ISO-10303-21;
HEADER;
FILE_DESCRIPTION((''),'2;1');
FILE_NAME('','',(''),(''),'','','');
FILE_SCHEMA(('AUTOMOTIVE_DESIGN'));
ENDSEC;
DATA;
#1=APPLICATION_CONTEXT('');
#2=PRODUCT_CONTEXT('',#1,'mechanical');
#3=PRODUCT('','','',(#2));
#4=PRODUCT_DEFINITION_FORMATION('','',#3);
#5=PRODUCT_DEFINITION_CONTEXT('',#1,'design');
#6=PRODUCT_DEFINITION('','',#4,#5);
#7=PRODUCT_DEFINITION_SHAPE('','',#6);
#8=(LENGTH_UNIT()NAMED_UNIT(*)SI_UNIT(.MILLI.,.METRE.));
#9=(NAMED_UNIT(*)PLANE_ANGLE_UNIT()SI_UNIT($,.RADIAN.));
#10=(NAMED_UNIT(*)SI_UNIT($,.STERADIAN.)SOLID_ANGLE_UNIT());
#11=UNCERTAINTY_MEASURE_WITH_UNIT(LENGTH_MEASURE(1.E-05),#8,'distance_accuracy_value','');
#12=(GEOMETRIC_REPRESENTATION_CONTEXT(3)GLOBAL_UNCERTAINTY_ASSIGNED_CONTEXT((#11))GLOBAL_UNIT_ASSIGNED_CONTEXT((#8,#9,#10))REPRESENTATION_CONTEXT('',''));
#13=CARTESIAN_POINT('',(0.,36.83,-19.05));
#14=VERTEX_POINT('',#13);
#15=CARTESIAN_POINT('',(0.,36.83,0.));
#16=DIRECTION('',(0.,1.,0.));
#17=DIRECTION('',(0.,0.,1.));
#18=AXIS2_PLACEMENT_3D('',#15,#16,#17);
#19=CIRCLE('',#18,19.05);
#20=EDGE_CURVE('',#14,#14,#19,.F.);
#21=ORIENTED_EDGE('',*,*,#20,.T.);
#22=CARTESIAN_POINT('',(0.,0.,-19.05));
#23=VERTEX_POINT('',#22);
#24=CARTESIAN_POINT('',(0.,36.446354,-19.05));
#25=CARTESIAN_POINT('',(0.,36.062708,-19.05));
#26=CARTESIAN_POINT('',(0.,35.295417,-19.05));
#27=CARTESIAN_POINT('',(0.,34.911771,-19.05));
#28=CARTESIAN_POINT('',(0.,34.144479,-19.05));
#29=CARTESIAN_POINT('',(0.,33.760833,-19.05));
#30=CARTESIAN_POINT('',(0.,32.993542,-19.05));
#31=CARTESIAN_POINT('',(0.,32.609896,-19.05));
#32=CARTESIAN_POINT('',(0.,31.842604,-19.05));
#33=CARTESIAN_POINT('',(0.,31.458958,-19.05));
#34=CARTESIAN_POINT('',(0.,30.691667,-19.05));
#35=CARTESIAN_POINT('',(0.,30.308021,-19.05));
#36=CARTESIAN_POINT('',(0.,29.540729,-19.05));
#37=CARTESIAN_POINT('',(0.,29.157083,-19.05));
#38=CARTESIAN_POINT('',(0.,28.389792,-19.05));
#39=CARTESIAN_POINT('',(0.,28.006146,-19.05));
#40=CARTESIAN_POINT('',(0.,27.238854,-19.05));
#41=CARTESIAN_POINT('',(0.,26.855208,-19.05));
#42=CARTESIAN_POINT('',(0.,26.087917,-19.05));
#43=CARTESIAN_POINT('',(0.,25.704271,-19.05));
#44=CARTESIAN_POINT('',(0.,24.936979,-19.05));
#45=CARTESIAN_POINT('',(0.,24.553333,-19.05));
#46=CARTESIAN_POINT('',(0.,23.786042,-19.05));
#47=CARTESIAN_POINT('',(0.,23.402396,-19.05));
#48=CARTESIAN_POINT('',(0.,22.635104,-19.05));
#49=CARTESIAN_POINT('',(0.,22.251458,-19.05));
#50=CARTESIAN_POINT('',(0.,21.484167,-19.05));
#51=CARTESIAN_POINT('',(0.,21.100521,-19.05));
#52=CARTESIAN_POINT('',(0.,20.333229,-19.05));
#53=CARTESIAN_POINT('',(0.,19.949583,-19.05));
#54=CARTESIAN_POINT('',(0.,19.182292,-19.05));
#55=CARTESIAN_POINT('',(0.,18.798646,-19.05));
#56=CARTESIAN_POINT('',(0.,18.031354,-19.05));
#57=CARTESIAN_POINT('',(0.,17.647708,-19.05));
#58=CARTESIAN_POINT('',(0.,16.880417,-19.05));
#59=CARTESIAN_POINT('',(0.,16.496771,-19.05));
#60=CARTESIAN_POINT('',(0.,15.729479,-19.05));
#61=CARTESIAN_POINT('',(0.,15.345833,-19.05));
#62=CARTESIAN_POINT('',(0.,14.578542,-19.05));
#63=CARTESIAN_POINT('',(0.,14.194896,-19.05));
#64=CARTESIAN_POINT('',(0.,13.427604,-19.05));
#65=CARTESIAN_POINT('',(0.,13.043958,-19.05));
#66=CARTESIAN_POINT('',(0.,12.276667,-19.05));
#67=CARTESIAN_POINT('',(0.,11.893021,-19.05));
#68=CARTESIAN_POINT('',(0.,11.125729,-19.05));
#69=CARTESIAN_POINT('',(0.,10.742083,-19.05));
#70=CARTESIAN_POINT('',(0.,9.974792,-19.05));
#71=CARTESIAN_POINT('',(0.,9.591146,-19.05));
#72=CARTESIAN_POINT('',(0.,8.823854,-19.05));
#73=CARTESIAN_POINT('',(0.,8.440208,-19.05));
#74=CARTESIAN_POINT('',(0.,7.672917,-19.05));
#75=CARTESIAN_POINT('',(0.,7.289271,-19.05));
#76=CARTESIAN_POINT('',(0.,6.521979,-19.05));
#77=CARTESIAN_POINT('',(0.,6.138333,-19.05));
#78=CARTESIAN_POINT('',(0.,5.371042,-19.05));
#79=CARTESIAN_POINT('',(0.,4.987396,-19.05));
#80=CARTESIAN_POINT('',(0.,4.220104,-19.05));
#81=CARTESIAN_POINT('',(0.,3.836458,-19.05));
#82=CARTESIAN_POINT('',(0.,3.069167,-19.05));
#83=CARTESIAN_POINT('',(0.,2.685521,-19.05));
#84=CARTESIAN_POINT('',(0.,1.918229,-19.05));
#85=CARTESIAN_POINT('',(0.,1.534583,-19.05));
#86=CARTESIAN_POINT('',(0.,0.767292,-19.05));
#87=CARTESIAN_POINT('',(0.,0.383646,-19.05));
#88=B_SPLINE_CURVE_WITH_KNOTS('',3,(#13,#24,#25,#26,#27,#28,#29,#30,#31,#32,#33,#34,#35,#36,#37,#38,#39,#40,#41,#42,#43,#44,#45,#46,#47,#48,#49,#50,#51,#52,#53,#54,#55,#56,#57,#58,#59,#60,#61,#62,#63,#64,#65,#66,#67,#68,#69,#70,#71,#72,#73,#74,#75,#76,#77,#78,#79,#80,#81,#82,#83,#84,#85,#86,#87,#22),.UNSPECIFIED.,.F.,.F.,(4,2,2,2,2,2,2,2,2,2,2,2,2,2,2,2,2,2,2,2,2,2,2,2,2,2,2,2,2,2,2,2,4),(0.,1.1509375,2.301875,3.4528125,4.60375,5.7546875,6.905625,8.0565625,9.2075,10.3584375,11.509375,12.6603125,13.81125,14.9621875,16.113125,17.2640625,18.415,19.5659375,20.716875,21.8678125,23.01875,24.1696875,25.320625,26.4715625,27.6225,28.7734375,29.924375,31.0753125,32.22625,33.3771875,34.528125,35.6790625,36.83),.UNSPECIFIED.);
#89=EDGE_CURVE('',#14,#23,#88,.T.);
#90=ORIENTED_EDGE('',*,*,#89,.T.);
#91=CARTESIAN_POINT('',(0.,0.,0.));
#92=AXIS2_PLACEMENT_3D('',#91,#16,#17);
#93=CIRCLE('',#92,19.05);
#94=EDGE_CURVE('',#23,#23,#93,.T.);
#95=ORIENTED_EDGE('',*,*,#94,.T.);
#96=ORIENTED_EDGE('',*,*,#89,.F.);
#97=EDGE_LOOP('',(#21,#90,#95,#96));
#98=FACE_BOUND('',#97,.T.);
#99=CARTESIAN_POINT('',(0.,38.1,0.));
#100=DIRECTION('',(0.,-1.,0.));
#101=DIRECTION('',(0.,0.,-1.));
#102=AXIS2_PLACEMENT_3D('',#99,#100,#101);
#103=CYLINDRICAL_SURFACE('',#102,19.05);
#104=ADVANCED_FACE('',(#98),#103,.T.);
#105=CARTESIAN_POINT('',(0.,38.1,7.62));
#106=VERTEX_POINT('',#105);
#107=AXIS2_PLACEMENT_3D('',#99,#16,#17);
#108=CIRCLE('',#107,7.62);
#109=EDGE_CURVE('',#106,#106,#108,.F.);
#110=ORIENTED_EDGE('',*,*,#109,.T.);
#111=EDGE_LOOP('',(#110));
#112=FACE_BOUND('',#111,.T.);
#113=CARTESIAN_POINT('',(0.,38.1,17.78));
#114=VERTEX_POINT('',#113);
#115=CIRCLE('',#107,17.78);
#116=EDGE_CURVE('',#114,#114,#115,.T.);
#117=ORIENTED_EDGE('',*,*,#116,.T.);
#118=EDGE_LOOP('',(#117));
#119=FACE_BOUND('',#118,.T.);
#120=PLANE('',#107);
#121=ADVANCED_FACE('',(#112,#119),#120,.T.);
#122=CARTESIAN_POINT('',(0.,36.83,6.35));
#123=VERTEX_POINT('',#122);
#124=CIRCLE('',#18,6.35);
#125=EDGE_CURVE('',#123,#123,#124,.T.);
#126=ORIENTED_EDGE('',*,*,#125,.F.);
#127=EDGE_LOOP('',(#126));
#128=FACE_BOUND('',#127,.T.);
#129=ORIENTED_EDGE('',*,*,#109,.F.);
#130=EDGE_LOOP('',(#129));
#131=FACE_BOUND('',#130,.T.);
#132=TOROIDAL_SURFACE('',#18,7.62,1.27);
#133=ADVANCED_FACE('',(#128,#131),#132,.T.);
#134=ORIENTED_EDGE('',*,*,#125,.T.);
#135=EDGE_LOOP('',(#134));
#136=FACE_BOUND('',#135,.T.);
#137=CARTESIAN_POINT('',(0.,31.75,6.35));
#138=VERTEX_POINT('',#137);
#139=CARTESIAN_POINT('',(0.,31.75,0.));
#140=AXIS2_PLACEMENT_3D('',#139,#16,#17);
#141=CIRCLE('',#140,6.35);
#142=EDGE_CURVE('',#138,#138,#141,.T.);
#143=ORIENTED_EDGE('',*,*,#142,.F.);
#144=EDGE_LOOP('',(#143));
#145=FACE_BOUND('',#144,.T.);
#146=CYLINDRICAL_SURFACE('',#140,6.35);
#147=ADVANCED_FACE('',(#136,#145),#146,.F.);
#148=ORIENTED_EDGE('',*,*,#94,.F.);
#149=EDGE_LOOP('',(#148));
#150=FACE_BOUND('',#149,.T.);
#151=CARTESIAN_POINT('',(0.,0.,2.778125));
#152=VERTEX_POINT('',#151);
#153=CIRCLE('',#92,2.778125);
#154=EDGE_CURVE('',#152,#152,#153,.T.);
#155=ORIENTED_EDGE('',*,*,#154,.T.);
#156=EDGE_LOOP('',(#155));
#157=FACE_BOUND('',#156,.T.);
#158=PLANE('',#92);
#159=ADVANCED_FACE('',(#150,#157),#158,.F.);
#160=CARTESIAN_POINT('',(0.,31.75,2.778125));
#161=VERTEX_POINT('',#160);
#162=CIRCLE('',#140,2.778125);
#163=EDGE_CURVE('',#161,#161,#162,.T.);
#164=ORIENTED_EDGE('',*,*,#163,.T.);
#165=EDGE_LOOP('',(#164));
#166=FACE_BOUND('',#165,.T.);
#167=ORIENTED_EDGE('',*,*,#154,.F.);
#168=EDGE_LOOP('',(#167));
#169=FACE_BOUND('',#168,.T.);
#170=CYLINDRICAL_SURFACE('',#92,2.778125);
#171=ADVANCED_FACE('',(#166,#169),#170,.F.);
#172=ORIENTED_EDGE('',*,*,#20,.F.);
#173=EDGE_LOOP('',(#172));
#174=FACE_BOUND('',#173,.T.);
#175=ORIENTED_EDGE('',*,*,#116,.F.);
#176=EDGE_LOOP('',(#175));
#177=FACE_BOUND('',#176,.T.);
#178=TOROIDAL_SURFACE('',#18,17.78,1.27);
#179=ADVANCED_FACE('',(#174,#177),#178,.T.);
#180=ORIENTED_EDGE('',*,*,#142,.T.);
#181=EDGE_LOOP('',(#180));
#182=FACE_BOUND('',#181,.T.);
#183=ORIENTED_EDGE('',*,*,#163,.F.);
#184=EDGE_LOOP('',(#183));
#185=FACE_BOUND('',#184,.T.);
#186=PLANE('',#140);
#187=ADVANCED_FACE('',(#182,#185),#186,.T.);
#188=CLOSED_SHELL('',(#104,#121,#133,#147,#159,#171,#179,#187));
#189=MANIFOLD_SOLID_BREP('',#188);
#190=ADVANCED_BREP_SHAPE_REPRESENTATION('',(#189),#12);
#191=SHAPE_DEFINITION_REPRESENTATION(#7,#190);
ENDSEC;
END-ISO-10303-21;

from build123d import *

# Parameters (mm, degrees)
SKETCH1_R           = 19.05
BOSS_EXTRUDE1_DEPTH = 38.1
SKETCH2_R           = 6.35
CUT_EXTRUDE1_DEPTH  = 6.35
SKETCH3_R           = 2.778125
CUT_EXTRUDE2_DEPTH  = 42.639734629
FILLET1_R           = 1.27


with BuildPart() as part:
    # Sketch1 → Boss-Extrude1 (new body)
    with BuildSketch(Plane(origin=(0, 0, 0), x_dir=(1, 0, 0), z_dir=(0, 1, 0))):
        with Locations(Location((0, 0, 0), (0, 0, 90))):
            Circle(SKETCH1_R)
    extrude(amount=BOSS_EXTRUDE1_DEPTH)

    # Sketch2 → Cut-Extrude1 (cut)
    with BuildSketch(Plane(origin=(0, 38.1, 0), x_dir=(1, 0, 0), z_dir=(0, 1, 0))):
        with Locations(Location((0, 0, 0), (0, 0, 270))):
            Circle(SKETCH2_R)
    extrude(amount=-CUT_EXTRUDE1_DEPTH, mode=Mode.SUBTRACT)

    # Sketch3 → Cut-Extrude2 (cut, through all)
    with BuildSketch(Plane(origin=(0, 31.75, 0), x_dir=(1, 0, 0), z_dir=(0, 1, 0))):
        with Locations(Location((0, 0, 0), (0, 0, 270))):
            Circle(SKETCH3_R)
    extrude(amount=-CUT_EXTRUDE2_DEPTH, mode=Mode.SUBTRACT)

    # Fillet1
    fillet1_edges = [part.edges().sort_by_distance(p)[0] for p in [
        (0, 38.1, 19.05),
        (0, 38.1, -6.35),
    ]]
    fillet(fillet1_edges, radius=FILLET1_R)


solid = part.part
